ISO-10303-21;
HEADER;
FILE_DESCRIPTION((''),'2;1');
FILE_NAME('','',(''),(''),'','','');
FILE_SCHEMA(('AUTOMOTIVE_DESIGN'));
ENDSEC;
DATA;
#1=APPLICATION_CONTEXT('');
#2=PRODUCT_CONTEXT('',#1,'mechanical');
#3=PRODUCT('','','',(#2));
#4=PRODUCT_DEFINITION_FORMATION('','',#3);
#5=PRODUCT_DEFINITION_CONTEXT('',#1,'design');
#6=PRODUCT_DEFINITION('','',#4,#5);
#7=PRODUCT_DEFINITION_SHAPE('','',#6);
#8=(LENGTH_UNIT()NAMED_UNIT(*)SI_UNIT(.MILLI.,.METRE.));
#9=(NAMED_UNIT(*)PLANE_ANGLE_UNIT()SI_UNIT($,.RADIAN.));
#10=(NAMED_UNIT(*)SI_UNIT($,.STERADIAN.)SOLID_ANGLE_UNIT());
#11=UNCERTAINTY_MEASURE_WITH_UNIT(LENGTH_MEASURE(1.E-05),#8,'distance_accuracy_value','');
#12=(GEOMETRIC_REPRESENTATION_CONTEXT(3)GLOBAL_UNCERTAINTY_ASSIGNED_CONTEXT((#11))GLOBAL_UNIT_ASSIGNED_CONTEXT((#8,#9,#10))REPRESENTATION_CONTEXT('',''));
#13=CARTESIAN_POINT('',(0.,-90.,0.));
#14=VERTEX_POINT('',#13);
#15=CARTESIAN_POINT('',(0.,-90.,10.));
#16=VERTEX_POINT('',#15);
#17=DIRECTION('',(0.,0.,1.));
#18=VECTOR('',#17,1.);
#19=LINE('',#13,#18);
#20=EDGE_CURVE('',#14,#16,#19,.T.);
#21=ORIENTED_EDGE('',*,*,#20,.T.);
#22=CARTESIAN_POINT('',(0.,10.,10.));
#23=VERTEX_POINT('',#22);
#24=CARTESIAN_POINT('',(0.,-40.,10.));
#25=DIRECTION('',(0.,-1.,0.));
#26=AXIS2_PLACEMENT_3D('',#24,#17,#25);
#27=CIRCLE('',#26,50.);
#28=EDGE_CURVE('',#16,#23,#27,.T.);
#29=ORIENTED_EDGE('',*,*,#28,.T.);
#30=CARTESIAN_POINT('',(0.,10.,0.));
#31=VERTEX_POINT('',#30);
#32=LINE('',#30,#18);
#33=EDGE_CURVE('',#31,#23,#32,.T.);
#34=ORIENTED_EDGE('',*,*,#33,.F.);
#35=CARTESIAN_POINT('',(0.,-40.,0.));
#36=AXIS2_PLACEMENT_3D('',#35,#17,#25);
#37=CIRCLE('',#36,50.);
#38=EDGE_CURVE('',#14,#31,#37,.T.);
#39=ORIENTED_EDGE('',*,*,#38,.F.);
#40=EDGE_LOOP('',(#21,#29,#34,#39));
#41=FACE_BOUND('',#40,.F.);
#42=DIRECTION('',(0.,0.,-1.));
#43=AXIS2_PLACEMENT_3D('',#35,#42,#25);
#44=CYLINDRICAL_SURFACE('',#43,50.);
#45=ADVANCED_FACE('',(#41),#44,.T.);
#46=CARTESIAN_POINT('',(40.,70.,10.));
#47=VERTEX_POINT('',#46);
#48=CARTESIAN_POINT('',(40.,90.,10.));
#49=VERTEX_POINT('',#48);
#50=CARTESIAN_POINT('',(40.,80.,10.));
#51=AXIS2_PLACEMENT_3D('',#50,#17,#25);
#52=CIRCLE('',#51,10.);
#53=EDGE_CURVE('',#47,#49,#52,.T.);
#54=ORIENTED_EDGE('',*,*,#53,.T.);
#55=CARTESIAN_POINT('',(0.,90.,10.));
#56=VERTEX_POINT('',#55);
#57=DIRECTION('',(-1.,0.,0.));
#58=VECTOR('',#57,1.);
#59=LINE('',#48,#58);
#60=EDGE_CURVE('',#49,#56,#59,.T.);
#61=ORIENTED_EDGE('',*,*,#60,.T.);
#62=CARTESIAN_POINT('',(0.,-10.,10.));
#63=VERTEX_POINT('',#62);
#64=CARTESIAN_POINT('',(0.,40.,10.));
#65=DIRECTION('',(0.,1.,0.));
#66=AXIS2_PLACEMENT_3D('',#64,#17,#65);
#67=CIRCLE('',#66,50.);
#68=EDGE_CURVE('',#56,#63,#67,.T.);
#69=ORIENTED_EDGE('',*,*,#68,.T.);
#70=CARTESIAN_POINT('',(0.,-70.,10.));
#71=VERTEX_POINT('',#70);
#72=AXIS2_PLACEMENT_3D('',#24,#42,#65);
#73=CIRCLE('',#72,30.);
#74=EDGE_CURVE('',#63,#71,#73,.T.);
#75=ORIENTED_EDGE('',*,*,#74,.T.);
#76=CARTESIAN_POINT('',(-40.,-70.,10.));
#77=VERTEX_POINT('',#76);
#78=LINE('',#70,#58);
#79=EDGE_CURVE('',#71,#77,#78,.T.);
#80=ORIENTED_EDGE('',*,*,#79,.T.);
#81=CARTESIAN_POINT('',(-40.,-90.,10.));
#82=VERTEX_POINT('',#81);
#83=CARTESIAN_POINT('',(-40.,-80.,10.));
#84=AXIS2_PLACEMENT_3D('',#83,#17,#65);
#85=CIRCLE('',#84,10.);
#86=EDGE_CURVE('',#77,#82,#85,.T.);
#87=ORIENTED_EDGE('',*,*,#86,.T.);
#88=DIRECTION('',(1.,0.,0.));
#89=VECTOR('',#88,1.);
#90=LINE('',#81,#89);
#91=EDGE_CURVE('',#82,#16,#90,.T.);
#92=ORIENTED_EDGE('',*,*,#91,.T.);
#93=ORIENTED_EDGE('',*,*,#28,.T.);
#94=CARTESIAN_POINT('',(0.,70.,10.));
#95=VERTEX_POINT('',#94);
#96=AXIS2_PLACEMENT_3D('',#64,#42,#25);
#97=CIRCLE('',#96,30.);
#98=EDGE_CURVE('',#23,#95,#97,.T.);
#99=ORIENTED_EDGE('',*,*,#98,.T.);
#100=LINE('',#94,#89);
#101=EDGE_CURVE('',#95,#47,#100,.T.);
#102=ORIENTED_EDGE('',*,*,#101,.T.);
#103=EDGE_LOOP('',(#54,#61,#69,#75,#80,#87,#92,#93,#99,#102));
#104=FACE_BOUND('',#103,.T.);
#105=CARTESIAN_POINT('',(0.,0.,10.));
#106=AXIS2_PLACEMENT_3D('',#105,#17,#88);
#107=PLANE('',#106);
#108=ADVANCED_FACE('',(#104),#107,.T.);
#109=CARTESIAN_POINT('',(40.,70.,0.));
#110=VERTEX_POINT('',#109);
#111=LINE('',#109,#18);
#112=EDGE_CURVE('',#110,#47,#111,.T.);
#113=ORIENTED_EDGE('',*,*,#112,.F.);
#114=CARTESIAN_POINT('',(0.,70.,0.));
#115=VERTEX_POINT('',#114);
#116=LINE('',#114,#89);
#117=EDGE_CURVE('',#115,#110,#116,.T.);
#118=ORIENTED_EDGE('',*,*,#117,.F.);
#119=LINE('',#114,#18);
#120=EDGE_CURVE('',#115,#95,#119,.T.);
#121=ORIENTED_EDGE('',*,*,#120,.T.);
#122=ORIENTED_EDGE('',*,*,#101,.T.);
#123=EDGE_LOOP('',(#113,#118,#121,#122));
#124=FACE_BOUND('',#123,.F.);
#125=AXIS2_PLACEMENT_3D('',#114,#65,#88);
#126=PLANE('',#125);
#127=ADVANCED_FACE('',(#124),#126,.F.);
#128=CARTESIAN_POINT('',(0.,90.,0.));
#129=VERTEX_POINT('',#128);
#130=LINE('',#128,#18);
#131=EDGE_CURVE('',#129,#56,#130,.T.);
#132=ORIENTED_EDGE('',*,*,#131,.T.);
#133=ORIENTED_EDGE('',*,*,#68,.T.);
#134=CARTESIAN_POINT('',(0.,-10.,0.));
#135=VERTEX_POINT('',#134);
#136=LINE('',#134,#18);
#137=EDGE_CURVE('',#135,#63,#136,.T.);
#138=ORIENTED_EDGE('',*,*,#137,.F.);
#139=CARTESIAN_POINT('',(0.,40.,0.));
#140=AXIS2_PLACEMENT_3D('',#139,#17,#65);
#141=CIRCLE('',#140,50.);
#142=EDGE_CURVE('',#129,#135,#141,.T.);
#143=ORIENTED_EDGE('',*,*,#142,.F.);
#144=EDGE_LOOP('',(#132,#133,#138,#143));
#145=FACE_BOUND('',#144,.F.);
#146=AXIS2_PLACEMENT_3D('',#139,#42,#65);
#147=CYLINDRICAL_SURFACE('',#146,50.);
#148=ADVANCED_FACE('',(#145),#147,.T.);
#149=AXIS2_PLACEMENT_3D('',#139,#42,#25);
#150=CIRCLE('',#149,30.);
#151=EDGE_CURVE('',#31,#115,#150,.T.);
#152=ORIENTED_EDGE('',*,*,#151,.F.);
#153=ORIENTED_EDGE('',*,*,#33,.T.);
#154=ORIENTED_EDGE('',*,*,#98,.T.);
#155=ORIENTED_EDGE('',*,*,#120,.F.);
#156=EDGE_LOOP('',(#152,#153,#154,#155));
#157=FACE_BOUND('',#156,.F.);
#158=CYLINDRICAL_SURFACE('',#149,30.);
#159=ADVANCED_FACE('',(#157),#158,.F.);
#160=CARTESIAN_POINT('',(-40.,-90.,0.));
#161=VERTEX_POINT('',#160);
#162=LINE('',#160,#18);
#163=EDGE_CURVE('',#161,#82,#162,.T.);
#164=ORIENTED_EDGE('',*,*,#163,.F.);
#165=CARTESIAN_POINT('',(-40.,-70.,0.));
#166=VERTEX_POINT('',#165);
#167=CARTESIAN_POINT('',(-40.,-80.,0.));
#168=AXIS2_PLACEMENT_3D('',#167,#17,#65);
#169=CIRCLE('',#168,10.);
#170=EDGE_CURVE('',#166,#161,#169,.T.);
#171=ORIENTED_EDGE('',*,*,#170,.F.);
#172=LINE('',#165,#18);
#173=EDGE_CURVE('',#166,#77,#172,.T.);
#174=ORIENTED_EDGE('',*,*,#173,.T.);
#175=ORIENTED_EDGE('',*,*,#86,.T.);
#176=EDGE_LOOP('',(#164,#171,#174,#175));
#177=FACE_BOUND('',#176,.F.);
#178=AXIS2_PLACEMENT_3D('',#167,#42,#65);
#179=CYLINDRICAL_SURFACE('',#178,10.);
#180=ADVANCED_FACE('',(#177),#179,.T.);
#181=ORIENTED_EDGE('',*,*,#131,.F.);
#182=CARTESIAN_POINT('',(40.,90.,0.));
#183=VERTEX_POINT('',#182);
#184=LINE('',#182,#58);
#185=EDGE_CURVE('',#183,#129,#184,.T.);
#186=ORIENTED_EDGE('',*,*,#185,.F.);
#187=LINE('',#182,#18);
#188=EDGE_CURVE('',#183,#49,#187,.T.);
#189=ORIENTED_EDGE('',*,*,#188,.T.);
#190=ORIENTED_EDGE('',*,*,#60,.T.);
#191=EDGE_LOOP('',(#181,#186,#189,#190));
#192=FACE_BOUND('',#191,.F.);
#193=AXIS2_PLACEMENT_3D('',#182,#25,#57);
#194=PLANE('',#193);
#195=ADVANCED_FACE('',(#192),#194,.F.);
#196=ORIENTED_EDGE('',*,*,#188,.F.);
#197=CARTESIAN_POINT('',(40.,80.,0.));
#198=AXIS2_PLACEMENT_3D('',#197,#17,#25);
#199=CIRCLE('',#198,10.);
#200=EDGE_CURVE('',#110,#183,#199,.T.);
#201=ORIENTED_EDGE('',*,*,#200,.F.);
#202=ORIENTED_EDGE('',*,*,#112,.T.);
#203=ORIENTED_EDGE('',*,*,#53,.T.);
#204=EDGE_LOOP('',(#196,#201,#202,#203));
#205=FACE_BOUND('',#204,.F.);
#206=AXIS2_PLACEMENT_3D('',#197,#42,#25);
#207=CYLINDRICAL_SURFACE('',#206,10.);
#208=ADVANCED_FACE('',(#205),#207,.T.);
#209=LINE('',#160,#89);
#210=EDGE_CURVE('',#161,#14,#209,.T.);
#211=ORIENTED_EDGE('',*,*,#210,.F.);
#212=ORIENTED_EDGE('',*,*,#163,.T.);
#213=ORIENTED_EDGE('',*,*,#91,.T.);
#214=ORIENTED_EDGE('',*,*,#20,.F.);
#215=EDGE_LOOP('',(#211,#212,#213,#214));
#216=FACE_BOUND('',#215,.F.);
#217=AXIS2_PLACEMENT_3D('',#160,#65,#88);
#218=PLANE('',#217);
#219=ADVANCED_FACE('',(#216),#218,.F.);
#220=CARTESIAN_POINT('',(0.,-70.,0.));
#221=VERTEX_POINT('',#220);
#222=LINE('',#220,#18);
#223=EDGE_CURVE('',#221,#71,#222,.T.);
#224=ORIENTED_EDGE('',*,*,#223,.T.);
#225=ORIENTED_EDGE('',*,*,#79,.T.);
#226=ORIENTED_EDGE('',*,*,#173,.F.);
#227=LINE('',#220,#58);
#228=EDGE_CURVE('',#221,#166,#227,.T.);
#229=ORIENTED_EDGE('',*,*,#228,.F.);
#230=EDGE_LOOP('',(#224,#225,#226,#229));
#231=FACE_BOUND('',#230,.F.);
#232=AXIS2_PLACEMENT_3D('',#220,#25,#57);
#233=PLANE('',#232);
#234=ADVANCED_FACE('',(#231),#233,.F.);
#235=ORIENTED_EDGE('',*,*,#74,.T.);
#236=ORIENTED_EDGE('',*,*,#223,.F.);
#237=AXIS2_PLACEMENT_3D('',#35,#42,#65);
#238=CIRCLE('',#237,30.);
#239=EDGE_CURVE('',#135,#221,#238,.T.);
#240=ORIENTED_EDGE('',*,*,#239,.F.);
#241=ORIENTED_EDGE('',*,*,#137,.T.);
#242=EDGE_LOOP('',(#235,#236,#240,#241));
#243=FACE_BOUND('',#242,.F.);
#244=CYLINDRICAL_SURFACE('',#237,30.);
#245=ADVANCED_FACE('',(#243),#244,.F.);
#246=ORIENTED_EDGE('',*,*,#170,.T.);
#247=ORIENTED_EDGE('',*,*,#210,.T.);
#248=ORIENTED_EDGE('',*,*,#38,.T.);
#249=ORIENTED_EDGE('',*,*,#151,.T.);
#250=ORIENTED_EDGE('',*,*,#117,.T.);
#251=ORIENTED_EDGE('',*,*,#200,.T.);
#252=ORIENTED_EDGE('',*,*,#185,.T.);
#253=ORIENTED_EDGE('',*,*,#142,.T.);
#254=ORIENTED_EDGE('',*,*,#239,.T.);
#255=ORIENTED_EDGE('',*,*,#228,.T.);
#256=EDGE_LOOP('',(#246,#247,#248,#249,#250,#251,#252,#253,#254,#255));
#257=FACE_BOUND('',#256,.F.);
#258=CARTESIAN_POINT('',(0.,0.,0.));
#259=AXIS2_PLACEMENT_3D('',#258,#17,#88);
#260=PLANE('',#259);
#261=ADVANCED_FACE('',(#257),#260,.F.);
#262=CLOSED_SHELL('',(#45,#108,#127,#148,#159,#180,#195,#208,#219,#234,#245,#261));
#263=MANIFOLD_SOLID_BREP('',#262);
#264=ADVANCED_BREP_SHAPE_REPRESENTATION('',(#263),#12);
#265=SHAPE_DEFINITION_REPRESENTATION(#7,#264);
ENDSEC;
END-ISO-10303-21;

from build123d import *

# Parameters (mm, degrees)
F1_DEPTH = 10


with BuildPart() as f1:
    # F0 (on Top) → F1 (new body)
    with BuildSketch(Plane.XY):
        with BuildLine():
            Line((40, 90), (0, 90))
            ThreePointArc((0, 90), (-50, 40), (0, -10))
            ThreePointArc((0, -10), (30, -40), (0, -70))
            Line((0, -70), (-40, -70))
            ThreePointArc((-40, -70), (-50, -80), (-40, -90))
            Line((-40, -90), (0, -90))
            ThreePointArc((0, -90), (50, -40), (0, 10))
            ThreePointArc((0, 10), (-30, 40), (0, 70))
            Line((0, 70), (40, 70))
            ThreePointArc((40, 70), (50, 80), (40, 90))
        make_face()
    extrude(amount=F1_DEPTH)


solid = f1.part
